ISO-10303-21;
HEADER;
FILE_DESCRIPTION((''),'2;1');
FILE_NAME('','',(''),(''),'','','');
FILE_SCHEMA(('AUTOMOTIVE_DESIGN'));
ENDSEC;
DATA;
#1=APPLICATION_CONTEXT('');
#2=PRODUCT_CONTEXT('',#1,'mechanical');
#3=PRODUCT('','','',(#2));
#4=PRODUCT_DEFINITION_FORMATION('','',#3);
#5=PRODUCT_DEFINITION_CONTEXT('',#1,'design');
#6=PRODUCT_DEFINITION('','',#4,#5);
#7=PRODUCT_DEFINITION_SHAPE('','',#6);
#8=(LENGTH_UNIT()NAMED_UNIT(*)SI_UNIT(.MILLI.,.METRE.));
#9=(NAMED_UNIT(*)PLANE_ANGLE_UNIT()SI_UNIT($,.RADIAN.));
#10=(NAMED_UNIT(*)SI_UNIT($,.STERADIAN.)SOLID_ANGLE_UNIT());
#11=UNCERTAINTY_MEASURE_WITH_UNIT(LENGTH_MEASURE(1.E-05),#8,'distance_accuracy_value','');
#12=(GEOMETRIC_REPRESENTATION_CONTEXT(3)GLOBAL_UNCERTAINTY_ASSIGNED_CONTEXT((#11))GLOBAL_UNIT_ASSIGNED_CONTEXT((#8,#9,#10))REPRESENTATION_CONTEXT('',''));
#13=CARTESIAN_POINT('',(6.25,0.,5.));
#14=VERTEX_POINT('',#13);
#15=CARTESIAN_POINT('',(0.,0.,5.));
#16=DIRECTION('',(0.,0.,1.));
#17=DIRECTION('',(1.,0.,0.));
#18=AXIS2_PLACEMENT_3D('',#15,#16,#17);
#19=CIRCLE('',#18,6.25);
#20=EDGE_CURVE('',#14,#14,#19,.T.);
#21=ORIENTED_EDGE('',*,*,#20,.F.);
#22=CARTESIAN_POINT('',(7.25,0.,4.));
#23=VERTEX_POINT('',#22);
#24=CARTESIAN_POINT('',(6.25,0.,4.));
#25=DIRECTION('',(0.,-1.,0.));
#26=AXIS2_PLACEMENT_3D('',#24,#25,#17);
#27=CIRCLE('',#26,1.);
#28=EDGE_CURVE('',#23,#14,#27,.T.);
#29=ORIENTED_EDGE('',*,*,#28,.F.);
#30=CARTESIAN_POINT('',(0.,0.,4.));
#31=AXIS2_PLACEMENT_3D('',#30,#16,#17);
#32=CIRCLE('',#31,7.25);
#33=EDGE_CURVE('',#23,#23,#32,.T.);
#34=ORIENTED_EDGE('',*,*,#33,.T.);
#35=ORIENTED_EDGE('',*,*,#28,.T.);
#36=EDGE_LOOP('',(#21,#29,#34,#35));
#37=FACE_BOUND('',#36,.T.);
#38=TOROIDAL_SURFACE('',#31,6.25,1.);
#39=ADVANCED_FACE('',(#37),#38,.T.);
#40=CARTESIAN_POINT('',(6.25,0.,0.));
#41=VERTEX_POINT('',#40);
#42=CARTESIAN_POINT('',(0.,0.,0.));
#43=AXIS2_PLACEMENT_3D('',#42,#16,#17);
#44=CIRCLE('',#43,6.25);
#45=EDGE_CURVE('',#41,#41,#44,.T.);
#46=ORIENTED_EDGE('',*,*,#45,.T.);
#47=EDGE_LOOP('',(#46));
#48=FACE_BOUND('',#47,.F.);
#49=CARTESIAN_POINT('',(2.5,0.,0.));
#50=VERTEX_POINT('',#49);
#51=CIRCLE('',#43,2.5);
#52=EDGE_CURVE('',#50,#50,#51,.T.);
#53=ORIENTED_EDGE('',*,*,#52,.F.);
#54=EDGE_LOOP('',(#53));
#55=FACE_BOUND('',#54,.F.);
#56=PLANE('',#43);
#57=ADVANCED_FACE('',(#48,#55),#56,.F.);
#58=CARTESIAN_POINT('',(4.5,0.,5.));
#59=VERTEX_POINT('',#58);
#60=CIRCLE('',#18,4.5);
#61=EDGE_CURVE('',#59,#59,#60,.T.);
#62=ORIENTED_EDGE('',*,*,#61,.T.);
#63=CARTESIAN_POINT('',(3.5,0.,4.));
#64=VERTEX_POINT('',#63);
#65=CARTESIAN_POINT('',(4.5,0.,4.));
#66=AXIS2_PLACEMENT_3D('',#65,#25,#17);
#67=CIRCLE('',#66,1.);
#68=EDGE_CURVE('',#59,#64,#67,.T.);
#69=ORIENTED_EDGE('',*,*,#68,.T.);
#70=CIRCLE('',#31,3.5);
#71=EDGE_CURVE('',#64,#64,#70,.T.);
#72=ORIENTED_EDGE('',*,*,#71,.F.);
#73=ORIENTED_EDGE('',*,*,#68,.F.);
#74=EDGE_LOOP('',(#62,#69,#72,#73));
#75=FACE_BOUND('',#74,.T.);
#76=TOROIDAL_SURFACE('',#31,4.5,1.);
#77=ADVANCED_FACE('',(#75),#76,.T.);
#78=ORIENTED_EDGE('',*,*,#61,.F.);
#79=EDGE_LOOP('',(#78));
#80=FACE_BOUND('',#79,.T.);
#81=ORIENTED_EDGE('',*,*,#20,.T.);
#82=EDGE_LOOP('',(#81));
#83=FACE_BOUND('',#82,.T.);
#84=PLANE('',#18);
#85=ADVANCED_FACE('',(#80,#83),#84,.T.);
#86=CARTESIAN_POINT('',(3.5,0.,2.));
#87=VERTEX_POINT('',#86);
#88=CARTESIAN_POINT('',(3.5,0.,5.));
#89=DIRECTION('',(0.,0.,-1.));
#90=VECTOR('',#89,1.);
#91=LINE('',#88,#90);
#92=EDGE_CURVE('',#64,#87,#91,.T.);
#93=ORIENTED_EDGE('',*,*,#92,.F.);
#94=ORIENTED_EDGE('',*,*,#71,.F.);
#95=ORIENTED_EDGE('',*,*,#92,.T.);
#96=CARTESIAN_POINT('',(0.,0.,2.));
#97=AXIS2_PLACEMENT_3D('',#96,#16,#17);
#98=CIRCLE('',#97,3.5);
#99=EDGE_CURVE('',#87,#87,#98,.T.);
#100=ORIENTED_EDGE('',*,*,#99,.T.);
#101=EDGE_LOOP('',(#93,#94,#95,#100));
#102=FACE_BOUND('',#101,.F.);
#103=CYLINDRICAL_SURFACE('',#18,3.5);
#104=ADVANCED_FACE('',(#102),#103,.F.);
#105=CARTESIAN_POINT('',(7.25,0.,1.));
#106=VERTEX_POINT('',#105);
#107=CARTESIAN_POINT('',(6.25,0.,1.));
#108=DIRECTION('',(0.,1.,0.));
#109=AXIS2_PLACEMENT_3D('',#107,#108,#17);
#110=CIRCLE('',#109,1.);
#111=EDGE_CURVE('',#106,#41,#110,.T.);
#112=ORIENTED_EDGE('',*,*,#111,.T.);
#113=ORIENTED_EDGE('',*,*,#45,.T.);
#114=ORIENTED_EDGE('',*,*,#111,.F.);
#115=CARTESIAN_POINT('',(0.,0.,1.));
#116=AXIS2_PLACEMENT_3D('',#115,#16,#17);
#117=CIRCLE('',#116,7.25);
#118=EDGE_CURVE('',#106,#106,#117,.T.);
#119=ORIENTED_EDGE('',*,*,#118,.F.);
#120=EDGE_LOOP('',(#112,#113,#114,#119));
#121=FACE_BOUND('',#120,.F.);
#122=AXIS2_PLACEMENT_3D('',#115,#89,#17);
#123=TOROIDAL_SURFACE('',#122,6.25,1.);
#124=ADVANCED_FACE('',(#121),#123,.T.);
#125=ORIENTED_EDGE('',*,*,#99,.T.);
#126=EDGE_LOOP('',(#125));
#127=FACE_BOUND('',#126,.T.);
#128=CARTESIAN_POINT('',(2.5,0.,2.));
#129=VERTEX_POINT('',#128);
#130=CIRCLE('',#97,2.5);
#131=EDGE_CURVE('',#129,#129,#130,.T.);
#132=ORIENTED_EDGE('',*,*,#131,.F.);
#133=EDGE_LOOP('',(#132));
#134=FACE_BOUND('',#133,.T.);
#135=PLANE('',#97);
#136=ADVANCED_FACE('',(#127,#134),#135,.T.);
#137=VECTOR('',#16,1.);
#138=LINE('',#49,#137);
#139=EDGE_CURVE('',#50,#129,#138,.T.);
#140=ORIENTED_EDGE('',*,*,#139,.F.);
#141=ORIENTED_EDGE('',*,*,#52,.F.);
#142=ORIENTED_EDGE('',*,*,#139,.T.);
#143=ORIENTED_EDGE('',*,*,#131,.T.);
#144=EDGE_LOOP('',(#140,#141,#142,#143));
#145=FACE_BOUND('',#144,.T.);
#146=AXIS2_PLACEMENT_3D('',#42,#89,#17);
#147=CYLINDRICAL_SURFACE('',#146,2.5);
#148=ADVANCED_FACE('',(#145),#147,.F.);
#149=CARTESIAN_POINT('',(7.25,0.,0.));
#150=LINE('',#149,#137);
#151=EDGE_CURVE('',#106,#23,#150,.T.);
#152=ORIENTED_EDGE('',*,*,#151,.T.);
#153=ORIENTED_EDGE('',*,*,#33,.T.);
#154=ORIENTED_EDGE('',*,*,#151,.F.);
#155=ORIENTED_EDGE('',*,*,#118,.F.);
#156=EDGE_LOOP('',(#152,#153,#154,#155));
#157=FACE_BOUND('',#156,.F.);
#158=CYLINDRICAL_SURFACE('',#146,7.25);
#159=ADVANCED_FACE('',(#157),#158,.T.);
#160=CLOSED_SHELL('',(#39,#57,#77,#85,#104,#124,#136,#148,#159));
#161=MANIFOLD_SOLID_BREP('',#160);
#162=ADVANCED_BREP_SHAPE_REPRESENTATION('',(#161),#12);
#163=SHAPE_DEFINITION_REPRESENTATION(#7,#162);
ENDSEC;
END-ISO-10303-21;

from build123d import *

# Parameters (mm, degrees)
F0_R     = 7.25
F0_R_2   = 2.5
F1_DEPTH = 5
F2_R     = 3.5
F2_R_2   = 2.5
F3_DEPTH = 3
F4_R     = 1


with BuildPart() as f1:
    # F0 (on Top) → F1 (new body)
    with BuildSketch(Plane.XY):
        Circle(F0_R)
        Circle(F0_R_2, mode=Mode.SUBTRACT)
    extrude(amount=F1_DEPTH)

    # F2 (on face) → F3 (cut)
    with BuildSketch(Plane.XY.offset(5)):
        Circle(F2_R)
        Circle(F2_R_2, mode=Mode.SUBTRACT)
    extrude(amount=-F3_DEPTH, mode=Mode.SUBTRACT)

    # F4
    f4_edges = [f1.edges().sort_by_distance(p)[0] for p in [
        (-7.25, 0, 5),
        (-3.5, 0, 5),
        (-7.25, 0, 0),
    ]]
    fillet(f4_edges, radius=F4_R)


solid = f1.part
